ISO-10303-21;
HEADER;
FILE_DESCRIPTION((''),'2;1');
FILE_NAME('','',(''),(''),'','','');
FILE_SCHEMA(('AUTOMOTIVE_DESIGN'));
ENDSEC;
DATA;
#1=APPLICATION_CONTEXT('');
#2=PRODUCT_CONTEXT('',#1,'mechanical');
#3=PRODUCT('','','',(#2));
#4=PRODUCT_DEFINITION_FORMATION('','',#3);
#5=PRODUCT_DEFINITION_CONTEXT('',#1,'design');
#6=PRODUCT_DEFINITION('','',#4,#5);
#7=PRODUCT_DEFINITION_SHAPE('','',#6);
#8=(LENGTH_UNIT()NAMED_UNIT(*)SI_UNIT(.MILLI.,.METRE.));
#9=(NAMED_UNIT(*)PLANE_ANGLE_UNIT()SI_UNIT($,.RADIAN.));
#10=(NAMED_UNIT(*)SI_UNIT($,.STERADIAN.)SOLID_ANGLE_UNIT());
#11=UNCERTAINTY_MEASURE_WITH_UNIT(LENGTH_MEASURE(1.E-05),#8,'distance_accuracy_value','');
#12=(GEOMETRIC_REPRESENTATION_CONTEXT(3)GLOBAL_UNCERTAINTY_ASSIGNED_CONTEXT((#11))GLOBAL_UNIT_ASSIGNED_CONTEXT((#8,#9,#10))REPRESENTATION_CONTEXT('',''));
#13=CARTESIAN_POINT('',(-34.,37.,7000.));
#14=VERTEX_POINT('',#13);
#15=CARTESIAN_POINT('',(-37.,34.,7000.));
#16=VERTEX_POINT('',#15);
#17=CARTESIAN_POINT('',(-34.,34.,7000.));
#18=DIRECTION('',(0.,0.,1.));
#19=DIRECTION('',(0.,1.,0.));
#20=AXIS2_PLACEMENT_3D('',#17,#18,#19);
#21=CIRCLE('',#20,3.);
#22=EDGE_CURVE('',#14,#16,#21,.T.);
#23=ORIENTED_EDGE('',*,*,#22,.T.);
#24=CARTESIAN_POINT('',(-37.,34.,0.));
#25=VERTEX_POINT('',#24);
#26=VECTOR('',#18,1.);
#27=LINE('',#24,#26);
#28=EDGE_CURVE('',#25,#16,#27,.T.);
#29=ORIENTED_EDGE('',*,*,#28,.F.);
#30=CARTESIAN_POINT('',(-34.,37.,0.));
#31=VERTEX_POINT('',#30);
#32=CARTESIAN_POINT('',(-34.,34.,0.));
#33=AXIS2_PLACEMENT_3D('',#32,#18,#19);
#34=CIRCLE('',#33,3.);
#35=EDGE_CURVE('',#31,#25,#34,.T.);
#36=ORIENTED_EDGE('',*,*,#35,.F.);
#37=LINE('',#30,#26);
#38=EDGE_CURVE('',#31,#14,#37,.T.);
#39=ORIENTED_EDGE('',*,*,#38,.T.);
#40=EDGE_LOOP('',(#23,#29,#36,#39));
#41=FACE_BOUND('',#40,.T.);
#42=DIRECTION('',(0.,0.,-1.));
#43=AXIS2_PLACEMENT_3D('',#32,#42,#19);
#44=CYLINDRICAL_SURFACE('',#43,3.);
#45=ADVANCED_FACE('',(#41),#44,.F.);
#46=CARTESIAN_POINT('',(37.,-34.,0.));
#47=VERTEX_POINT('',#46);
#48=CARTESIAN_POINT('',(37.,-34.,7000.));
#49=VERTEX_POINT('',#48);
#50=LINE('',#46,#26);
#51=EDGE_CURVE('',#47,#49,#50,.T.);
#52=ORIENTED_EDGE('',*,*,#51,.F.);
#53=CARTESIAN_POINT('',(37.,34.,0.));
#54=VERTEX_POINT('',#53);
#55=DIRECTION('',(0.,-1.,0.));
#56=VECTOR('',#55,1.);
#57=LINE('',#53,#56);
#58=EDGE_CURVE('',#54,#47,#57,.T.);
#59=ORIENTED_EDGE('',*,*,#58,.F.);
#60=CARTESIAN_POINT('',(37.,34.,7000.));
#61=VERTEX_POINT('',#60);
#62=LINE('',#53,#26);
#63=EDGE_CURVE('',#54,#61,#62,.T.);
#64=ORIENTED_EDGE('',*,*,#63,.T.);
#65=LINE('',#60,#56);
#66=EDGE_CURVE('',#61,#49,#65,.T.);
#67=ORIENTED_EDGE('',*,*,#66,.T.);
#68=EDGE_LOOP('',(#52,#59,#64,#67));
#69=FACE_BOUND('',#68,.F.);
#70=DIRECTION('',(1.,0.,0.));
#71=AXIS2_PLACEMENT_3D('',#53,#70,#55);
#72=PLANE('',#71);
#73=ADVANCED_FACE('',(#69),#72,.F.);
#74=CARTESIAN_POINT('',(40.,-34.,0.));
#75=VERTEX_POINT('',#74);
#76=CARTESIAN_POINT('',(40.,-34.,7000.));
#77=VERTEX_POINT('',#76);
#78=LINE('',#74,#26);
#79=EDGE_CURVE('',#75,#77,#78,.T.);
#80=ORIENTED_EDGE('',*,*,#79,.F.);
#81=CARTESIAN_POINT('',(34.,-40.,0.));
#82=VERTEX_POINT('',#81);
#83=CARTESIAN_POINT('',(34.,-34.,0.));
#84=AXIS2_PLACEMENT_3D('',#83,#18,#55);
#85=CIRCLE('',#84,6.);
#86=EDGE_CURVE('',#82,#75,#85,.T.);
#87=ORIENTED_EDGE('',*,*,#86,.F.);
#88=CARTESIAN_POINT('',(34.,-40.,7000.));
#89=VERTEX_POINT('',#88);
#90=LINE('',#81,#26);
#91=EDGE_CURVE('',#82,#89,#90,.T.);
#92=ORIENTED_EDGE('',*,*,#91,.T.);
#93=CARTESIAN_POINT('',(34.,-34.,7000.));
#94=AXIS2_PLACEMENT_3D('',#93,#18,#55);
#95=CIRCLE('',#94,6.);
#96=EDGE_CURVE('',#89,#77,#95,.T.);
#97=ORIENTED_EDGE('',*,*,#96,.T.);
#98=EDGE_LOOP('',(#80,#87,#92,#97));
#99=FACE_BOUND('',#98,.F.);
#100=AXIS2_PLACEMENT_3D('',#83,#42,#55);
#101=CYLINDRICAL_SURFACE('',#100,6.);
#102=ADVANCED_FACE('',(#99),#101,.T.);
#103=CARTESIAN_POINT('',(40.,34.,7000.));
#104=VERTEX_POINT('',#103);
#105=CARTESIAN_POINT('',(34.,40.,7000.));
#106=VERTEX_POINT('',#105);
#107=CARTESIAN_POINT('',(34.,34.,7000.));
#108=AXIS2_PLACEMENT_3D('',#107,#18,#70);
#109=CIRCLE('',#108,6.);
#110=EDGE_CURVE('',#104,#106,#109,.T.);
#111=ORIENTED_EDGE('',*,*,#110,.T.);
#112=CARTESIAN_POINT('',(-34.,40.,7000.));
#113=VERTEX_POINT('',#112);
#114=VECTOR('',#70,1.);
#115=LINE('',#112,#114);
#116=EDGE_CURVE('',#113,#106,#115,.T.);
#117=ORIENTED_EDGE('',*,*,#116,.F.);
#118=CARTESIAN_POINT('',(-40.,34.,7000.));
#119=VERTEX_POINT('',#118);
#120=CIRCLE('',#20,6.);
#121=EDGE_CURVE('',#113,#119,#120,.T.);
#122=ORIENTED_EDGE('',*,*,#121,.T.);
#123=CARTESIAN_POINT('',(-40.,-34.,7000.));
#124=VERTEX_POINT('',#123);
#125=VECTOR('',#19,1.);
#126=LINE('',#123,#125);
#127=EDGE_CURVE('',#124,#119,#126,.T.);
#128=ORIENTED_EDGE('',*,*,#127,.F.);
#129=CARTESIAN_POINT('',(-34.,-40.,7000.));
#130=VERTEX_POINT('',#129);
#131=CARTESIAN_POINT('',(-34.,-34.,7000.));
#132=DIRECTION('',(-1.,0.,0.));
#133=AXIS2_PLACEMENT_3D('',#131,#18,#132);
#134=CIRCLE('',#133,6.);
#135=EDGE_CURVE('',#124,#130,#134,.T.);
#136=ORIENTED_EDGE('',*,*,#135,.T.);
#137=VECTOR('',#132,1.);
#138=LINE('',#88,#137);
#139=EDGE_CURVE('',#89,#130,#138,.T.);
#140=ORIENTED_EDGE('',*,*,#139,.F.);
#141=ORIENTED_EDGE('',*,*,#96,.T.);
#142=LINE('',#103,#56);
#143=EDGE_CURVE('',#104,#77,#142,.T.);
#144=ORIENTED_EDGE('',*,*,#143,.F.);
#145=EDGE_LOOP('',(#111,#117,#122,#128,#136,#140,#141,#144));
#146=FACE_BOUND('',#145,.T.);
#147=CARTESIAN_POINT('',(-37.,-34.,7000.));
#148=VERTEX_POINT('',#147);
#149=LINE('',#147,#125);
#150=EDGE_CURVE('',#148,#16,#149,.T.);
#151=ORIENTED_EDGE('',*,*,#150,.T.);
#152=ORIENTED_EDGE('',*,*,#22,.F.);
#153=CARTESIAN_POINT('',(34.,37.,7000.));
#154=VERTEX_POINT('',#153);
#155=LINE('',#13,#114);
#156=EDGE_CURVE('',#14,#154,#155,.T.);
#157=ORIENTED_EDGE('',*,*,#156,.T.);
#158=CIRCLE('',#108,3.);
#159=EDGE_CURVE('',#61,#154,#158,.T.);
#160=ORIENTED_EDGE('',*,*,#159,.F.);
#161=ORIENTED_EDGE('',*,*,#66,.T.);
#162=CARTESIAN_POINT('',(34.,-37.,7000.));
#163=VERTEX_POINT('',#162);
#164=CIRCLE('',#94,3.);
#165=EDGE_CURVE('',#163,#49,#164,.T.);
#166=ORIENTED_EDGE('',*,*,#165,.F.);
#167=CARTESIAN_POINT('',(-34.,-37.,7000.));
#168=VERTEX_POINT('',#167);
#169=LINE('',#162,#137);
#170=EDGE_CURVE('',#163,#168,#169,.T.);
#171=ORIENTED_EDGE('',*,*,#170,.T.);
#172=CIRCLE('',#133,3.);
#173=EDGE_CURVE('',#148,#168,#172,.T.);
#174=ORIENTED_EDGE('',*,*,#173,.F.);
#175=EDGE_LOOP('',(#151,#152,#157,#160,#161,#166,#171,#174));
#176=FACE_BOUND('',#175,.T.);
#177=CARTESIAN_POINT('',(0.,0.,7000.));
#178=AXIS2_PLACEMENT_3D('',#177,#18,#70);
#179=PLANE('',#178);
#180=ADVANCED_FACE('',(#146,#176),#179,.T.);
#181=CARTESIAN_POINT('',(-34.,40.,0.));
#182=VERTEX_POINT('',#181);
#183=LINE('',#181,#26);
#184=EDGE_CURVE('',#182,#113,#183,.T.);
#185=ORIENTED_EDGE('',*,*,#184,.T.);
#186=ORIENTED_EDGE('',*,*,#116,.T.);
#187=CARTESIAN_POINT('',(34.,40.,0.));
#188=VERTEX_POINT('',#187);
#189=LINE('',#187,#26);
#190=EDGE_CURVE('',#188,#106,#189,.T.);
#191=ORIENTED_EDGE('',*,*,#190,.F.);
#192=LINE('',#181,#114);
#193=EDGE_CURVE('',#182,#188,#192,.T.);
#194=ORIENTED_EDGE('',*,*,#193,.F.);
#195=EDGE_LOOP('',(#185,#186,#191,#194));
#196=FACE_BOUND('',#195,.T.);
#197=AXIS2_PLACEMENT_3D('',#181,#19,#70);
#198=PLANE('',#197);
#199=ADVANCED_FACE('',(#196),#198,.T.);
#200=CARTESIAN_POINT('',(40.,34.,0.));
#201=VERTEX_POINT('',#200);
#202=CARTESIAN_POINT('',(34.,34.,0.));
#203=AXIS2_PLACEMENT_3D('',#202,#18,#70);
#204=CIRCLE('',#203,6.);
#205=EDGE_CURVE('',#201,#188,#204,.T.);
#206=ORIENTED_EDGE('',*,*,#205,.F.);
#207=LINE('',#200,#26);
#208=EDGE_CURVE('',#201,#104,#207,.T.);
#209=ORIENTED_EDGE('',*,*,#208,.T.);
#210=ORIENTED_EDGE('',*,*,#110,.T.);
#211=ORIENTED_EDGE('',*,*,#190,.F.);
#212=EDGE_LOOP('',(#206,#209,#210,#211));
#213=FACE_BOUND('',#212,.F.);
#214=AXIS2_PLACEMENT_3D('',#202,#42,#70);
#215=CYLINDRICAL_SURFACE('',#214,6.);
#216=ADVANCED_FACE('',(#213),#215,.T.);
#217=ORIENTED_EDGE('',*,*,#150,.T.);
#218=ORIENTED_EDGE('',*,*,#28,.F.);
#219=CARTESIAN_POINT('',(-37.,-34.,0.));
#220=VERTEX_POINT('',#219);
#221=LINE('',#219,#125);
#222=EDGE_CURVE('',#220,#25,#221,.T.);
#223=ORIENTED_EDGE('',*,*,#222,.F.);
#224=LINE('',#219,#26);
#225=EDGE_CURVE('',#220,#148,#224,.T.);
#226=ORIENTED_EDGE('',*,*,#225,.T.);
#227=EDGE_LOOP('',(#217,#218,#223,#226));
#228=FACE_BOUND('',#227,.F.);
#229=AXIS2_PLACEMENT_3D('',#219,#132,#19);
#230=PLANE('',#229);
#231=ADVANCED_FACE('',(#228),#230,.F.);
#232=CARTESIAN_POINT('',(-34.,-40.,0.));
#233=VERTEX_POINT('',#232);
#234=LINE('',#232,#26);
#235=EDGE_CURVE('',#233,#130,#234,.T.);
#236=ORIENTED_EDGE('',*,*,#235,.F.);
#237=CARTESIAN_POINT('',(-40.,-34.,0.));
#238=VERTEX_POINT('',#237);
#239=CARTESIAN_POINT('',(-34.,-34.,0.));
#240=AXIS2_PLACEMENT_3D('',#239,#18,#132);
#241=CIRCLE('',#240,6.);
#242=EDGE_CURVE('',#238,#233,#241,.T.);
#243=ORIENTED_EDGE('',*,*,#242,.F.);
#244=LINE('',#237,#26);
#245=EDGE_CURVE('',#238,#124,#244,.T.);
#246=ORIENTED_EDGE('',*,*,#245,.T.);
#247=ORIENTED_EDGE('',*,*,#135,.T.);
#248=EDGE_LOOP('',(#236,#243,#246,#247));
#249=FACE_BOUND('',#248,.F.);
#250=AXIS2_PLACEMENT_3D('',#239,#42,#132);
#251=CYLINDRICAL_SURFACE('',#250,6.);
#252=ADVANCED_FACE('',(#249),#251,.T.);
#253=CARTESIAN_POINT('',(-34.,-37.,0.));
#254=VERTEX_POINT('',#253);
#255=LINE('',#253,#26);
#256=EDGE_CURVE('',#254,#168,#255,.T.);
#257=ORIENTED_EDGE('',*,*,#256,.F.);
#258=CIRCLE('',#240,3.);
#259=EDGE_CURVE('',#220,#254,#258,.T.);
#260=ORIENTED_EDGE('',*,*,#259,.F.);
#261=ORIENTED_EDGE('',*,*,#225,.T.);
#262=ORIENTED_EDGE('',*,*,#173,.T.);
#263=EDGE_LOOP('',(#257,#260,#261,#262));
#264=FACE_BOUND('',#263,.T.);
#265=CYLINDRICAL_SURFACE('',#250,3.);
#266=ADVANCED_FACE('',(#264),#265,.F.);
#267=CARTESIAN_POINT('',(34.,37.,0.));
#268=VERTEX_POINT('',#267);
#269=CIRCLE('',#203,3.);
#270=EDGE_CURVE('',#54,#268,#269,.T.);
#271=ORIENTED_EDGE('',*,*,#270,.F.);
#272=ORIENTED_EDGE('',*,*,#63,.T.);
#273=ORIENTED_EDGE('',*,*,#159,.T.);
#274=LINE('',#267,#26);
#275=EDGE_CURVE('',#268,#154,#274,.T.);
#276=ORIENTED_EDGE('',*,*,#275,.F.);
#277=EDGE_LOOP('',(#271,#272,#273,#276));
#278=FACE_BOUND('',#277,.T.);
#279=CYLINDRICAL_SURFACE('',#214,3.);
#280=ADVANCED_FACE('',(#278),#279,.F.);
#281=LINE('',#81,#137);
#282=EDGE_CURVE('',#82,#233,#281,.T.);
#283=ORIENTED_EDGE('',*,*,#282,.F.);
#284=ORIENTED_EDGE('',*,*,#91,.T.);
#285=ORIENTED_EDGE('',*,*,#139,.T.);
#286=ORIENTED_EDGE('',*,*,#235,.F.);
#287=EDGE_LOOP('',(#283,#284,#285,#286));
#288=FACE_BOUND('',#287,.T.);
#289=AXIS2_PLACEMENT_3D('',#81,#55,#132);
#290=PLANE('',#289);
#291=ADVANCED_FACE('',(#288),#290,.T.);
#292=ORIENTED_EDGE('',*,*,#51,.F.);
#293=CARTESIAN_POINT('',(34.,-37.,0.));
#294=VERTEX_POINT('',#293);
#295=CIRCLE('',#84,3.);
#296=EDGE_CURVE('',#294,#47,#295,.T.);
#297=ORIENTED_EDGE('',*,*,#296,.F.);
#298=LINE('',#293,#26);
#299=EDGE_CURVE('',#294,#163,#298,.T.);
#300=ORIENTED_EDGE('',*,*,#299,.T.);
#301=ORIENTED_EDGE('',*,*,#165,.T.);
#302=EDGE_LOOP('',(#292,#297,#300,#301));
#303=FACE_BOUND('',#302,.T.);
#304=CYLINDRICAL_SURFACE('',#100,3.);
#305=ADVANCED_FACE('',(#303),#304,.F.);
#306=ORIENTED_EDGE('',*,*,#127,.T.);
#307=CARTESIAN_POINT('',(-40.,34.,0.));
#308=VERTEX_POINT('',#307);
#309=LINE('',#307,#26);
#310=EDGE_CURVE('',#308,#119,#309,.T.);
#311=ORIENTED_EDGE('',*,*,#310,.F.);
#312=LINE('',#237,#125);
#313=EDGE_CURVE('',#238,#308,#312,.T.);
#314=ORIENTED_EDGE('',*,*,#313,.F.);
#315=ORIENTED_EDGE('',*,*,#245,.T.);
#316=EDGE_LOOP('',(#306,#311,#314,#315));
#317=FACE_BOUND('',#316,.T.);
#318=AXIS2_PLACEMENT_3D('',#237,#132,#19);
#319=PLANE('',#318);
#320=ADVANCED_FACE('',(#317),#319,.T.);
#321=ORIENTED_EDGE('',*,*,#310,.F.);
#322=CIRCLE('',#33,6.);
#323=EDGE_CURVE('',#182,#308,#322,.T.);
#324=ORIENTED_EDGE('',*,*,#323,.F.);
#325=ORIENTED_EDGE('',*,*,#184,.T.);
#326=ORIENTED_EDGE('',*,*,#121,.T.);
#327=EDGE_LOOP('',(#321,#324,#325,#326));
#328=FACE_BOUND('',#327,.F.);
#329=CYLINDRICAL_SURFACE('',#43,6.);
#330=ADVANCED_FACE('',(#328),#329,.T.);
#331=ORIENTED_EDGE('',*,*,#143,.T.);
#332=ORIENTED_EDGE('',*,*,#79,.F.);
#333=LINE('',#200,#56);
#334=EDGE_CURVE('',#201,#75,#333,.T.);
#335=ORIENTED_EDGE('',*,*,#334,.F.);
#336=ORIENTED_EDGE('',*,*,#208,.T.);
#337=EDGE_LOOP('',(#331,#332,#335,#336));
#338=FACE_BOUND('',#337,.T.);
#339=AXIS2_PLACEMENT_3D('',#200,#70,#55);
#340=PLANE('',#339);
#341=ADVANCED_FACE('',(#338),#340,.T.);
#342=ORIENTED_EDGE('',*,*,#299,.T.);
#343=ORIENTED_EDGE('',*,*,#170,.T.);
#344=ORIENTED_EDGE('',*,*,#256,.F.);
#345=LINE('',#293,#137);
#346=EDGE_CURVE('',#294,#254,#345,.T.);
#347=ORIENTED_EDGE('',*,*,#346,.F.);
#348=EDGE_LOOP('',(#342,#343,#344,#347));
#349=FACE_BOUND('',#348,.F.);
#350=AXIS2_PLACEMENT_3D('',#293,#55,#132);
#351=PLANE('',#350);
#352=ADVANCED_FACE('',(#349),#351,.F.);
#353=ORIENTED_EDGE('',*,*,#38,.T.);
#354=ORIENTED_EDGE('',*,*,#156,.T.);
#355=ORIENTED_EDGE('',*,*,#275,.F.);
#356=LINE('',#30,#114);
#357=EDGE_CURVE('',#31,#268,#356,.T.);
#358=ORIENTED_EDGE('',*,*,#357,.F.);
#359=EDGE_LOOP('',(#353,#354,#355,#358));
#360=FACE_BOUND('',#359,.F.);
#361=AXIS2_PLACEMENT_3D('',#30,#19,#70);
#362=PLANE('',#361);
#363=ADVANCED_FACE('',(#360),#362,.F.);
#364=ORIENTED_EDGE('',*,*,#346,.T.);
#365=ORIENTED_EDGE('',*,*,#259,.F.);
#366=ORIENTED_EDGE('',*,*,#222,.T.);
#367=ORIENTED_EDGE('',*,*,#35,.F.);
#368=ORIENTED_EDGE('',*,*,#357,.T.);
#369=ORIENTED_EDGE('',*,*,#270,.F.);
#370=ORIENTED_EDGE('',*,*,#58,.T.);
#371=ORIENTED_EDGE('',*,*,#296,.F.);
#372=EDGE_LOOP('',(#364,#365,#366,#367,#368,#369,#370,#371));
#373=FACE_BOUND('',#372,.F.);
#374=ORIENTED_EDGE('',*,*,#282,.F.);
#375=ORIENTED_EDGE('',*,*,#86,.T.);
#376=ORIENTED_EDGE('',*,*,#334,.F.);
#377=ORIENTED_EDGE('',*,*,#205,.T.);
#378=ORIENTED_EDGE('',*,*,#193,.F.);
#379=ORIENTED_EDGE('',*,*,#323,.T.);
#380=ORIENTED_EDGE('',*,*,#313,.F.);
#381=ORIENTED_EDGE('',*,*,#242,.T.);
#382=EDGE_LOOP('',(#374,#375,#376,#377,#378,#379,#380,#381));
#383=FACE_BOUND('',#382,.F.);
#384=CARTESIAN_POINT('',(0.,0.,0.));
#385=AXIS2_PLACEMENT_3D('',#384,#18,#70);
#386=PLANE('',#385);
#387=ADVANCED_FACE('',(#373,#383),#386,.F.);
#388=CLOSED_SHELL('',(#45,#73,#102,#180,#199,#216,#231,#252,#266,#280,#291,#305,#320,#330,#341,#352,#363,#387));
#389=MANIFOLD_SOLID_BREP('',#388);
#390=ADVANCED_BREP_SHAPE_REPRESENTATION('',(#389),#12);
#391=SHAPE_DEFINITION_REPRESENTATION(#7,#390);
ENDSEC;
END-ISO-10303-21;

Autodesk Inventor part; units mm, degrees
ref_plane "YZ Plane" through (0, 0, 0) normal (1, 0, 0) x (0, 1, 0)
ref_plane "Start plane" through (0, 0, 0) normal (0, 0, 1) x (1, 0, 0)
ref_plane "End plane" through (0, 0, 7000) normal (0, 0, 1) x (1, 0, 0)
sketch "Sketch" plane through (0, 0, 0) normal (0, 0, 1) x (1, 0, 0)
  line L0 (-40, -34) -> (-40, 34)
  line L1 (-34, 40) -> (34, 40)
  line L2 (40, 34) -> (40, -34)
  line L3 (34, -40) -> (-34, -40)
  arc A0 (-40, -34) -> (-34, -40) centre (-34, -34) ccw
  arc A1 (40, 34) -> (34, 40) centre (34, 34) ccw
  arc A2 (-34, 40) -> (-40, 34) centre (-34, 34) ccw
  arc A3 (34, -40) -> (40, -34) centre (34, -34) ccw
  arc A4 (-34, 37) -> (-37, 34) centre (-34, 34) ccw
  line L4 (-34, 37) -> (34, 37)
  arc A5 (37, 34) -> (34, 37) centre (34, 34) ccw
  line L5 (37, 34) -> (37, -34)
  arc A6 (34, -37) -> (37, -34) centre (34, -34) ccw
  line L6 (34, -37) -> (-34, -37)
  arc A7 (-37, -34) -> (-34, -37) centre (-34, -34) ccw
  line L7 (-37, -34) -> (-37, 34)
  line L8 (0, 57.7397) -> (0, -57.7397) construction
  line L9 (-57.7397, 0) -> (57.7397, 0) construction
  dimension "d7" = 6
  dimension "d9" = 80
  dimension "d11" = 80
  dimension "d12" = 3
  dimension "d15" = 40
  dimension "d16" = 40
extrude "Body" add sketch "Sketch" along normal up to surface (7000 mm away) from surface at 0
sketch "Sketch3" plane through (0, 0, 0) normal (0, 0, 1) x (1, 0, 0)
  line L0 (0, 0) -> (10, 0)
ref_plane "Work Plane3" through (0, 0, 0) normal (0, -1, 0) x (1, 0, 0)
sketch "Sketch4" plane through (0, 0, 0) normal (0, -1, 0) x (1, 0, 0)
  line L0 (-2, 0) -> (12, 0) projected
  line L1 (-2, 7000) -> (12, 7000) projected
  dimension "d18" = 7000
equation "\"d7\" = G_IR"
equation "\"d9\" = G_W"
equation "\"d11\" = G_H"
equation "\"d12\" = G_T"
equation "\"d15\" = 0.5 * d9"
equation "\"d16\" = 0.5 * d11"
equation "\"d3\" = G_L"
equation "\"G_W\" = 80"
equation "\"G_H\" = 80"
equation "\"G_T\" = 3"
equation "\"G_IR\" = 6"
equation "\"G_L\" = d18"
equation "\"G_OFFSET_START\" = 0"
equation "\"G_OFFSET_END\" = 0"
properties part number "ISO 10799-2 - 80x80x3 - 7000" material "Steel, Mild"
